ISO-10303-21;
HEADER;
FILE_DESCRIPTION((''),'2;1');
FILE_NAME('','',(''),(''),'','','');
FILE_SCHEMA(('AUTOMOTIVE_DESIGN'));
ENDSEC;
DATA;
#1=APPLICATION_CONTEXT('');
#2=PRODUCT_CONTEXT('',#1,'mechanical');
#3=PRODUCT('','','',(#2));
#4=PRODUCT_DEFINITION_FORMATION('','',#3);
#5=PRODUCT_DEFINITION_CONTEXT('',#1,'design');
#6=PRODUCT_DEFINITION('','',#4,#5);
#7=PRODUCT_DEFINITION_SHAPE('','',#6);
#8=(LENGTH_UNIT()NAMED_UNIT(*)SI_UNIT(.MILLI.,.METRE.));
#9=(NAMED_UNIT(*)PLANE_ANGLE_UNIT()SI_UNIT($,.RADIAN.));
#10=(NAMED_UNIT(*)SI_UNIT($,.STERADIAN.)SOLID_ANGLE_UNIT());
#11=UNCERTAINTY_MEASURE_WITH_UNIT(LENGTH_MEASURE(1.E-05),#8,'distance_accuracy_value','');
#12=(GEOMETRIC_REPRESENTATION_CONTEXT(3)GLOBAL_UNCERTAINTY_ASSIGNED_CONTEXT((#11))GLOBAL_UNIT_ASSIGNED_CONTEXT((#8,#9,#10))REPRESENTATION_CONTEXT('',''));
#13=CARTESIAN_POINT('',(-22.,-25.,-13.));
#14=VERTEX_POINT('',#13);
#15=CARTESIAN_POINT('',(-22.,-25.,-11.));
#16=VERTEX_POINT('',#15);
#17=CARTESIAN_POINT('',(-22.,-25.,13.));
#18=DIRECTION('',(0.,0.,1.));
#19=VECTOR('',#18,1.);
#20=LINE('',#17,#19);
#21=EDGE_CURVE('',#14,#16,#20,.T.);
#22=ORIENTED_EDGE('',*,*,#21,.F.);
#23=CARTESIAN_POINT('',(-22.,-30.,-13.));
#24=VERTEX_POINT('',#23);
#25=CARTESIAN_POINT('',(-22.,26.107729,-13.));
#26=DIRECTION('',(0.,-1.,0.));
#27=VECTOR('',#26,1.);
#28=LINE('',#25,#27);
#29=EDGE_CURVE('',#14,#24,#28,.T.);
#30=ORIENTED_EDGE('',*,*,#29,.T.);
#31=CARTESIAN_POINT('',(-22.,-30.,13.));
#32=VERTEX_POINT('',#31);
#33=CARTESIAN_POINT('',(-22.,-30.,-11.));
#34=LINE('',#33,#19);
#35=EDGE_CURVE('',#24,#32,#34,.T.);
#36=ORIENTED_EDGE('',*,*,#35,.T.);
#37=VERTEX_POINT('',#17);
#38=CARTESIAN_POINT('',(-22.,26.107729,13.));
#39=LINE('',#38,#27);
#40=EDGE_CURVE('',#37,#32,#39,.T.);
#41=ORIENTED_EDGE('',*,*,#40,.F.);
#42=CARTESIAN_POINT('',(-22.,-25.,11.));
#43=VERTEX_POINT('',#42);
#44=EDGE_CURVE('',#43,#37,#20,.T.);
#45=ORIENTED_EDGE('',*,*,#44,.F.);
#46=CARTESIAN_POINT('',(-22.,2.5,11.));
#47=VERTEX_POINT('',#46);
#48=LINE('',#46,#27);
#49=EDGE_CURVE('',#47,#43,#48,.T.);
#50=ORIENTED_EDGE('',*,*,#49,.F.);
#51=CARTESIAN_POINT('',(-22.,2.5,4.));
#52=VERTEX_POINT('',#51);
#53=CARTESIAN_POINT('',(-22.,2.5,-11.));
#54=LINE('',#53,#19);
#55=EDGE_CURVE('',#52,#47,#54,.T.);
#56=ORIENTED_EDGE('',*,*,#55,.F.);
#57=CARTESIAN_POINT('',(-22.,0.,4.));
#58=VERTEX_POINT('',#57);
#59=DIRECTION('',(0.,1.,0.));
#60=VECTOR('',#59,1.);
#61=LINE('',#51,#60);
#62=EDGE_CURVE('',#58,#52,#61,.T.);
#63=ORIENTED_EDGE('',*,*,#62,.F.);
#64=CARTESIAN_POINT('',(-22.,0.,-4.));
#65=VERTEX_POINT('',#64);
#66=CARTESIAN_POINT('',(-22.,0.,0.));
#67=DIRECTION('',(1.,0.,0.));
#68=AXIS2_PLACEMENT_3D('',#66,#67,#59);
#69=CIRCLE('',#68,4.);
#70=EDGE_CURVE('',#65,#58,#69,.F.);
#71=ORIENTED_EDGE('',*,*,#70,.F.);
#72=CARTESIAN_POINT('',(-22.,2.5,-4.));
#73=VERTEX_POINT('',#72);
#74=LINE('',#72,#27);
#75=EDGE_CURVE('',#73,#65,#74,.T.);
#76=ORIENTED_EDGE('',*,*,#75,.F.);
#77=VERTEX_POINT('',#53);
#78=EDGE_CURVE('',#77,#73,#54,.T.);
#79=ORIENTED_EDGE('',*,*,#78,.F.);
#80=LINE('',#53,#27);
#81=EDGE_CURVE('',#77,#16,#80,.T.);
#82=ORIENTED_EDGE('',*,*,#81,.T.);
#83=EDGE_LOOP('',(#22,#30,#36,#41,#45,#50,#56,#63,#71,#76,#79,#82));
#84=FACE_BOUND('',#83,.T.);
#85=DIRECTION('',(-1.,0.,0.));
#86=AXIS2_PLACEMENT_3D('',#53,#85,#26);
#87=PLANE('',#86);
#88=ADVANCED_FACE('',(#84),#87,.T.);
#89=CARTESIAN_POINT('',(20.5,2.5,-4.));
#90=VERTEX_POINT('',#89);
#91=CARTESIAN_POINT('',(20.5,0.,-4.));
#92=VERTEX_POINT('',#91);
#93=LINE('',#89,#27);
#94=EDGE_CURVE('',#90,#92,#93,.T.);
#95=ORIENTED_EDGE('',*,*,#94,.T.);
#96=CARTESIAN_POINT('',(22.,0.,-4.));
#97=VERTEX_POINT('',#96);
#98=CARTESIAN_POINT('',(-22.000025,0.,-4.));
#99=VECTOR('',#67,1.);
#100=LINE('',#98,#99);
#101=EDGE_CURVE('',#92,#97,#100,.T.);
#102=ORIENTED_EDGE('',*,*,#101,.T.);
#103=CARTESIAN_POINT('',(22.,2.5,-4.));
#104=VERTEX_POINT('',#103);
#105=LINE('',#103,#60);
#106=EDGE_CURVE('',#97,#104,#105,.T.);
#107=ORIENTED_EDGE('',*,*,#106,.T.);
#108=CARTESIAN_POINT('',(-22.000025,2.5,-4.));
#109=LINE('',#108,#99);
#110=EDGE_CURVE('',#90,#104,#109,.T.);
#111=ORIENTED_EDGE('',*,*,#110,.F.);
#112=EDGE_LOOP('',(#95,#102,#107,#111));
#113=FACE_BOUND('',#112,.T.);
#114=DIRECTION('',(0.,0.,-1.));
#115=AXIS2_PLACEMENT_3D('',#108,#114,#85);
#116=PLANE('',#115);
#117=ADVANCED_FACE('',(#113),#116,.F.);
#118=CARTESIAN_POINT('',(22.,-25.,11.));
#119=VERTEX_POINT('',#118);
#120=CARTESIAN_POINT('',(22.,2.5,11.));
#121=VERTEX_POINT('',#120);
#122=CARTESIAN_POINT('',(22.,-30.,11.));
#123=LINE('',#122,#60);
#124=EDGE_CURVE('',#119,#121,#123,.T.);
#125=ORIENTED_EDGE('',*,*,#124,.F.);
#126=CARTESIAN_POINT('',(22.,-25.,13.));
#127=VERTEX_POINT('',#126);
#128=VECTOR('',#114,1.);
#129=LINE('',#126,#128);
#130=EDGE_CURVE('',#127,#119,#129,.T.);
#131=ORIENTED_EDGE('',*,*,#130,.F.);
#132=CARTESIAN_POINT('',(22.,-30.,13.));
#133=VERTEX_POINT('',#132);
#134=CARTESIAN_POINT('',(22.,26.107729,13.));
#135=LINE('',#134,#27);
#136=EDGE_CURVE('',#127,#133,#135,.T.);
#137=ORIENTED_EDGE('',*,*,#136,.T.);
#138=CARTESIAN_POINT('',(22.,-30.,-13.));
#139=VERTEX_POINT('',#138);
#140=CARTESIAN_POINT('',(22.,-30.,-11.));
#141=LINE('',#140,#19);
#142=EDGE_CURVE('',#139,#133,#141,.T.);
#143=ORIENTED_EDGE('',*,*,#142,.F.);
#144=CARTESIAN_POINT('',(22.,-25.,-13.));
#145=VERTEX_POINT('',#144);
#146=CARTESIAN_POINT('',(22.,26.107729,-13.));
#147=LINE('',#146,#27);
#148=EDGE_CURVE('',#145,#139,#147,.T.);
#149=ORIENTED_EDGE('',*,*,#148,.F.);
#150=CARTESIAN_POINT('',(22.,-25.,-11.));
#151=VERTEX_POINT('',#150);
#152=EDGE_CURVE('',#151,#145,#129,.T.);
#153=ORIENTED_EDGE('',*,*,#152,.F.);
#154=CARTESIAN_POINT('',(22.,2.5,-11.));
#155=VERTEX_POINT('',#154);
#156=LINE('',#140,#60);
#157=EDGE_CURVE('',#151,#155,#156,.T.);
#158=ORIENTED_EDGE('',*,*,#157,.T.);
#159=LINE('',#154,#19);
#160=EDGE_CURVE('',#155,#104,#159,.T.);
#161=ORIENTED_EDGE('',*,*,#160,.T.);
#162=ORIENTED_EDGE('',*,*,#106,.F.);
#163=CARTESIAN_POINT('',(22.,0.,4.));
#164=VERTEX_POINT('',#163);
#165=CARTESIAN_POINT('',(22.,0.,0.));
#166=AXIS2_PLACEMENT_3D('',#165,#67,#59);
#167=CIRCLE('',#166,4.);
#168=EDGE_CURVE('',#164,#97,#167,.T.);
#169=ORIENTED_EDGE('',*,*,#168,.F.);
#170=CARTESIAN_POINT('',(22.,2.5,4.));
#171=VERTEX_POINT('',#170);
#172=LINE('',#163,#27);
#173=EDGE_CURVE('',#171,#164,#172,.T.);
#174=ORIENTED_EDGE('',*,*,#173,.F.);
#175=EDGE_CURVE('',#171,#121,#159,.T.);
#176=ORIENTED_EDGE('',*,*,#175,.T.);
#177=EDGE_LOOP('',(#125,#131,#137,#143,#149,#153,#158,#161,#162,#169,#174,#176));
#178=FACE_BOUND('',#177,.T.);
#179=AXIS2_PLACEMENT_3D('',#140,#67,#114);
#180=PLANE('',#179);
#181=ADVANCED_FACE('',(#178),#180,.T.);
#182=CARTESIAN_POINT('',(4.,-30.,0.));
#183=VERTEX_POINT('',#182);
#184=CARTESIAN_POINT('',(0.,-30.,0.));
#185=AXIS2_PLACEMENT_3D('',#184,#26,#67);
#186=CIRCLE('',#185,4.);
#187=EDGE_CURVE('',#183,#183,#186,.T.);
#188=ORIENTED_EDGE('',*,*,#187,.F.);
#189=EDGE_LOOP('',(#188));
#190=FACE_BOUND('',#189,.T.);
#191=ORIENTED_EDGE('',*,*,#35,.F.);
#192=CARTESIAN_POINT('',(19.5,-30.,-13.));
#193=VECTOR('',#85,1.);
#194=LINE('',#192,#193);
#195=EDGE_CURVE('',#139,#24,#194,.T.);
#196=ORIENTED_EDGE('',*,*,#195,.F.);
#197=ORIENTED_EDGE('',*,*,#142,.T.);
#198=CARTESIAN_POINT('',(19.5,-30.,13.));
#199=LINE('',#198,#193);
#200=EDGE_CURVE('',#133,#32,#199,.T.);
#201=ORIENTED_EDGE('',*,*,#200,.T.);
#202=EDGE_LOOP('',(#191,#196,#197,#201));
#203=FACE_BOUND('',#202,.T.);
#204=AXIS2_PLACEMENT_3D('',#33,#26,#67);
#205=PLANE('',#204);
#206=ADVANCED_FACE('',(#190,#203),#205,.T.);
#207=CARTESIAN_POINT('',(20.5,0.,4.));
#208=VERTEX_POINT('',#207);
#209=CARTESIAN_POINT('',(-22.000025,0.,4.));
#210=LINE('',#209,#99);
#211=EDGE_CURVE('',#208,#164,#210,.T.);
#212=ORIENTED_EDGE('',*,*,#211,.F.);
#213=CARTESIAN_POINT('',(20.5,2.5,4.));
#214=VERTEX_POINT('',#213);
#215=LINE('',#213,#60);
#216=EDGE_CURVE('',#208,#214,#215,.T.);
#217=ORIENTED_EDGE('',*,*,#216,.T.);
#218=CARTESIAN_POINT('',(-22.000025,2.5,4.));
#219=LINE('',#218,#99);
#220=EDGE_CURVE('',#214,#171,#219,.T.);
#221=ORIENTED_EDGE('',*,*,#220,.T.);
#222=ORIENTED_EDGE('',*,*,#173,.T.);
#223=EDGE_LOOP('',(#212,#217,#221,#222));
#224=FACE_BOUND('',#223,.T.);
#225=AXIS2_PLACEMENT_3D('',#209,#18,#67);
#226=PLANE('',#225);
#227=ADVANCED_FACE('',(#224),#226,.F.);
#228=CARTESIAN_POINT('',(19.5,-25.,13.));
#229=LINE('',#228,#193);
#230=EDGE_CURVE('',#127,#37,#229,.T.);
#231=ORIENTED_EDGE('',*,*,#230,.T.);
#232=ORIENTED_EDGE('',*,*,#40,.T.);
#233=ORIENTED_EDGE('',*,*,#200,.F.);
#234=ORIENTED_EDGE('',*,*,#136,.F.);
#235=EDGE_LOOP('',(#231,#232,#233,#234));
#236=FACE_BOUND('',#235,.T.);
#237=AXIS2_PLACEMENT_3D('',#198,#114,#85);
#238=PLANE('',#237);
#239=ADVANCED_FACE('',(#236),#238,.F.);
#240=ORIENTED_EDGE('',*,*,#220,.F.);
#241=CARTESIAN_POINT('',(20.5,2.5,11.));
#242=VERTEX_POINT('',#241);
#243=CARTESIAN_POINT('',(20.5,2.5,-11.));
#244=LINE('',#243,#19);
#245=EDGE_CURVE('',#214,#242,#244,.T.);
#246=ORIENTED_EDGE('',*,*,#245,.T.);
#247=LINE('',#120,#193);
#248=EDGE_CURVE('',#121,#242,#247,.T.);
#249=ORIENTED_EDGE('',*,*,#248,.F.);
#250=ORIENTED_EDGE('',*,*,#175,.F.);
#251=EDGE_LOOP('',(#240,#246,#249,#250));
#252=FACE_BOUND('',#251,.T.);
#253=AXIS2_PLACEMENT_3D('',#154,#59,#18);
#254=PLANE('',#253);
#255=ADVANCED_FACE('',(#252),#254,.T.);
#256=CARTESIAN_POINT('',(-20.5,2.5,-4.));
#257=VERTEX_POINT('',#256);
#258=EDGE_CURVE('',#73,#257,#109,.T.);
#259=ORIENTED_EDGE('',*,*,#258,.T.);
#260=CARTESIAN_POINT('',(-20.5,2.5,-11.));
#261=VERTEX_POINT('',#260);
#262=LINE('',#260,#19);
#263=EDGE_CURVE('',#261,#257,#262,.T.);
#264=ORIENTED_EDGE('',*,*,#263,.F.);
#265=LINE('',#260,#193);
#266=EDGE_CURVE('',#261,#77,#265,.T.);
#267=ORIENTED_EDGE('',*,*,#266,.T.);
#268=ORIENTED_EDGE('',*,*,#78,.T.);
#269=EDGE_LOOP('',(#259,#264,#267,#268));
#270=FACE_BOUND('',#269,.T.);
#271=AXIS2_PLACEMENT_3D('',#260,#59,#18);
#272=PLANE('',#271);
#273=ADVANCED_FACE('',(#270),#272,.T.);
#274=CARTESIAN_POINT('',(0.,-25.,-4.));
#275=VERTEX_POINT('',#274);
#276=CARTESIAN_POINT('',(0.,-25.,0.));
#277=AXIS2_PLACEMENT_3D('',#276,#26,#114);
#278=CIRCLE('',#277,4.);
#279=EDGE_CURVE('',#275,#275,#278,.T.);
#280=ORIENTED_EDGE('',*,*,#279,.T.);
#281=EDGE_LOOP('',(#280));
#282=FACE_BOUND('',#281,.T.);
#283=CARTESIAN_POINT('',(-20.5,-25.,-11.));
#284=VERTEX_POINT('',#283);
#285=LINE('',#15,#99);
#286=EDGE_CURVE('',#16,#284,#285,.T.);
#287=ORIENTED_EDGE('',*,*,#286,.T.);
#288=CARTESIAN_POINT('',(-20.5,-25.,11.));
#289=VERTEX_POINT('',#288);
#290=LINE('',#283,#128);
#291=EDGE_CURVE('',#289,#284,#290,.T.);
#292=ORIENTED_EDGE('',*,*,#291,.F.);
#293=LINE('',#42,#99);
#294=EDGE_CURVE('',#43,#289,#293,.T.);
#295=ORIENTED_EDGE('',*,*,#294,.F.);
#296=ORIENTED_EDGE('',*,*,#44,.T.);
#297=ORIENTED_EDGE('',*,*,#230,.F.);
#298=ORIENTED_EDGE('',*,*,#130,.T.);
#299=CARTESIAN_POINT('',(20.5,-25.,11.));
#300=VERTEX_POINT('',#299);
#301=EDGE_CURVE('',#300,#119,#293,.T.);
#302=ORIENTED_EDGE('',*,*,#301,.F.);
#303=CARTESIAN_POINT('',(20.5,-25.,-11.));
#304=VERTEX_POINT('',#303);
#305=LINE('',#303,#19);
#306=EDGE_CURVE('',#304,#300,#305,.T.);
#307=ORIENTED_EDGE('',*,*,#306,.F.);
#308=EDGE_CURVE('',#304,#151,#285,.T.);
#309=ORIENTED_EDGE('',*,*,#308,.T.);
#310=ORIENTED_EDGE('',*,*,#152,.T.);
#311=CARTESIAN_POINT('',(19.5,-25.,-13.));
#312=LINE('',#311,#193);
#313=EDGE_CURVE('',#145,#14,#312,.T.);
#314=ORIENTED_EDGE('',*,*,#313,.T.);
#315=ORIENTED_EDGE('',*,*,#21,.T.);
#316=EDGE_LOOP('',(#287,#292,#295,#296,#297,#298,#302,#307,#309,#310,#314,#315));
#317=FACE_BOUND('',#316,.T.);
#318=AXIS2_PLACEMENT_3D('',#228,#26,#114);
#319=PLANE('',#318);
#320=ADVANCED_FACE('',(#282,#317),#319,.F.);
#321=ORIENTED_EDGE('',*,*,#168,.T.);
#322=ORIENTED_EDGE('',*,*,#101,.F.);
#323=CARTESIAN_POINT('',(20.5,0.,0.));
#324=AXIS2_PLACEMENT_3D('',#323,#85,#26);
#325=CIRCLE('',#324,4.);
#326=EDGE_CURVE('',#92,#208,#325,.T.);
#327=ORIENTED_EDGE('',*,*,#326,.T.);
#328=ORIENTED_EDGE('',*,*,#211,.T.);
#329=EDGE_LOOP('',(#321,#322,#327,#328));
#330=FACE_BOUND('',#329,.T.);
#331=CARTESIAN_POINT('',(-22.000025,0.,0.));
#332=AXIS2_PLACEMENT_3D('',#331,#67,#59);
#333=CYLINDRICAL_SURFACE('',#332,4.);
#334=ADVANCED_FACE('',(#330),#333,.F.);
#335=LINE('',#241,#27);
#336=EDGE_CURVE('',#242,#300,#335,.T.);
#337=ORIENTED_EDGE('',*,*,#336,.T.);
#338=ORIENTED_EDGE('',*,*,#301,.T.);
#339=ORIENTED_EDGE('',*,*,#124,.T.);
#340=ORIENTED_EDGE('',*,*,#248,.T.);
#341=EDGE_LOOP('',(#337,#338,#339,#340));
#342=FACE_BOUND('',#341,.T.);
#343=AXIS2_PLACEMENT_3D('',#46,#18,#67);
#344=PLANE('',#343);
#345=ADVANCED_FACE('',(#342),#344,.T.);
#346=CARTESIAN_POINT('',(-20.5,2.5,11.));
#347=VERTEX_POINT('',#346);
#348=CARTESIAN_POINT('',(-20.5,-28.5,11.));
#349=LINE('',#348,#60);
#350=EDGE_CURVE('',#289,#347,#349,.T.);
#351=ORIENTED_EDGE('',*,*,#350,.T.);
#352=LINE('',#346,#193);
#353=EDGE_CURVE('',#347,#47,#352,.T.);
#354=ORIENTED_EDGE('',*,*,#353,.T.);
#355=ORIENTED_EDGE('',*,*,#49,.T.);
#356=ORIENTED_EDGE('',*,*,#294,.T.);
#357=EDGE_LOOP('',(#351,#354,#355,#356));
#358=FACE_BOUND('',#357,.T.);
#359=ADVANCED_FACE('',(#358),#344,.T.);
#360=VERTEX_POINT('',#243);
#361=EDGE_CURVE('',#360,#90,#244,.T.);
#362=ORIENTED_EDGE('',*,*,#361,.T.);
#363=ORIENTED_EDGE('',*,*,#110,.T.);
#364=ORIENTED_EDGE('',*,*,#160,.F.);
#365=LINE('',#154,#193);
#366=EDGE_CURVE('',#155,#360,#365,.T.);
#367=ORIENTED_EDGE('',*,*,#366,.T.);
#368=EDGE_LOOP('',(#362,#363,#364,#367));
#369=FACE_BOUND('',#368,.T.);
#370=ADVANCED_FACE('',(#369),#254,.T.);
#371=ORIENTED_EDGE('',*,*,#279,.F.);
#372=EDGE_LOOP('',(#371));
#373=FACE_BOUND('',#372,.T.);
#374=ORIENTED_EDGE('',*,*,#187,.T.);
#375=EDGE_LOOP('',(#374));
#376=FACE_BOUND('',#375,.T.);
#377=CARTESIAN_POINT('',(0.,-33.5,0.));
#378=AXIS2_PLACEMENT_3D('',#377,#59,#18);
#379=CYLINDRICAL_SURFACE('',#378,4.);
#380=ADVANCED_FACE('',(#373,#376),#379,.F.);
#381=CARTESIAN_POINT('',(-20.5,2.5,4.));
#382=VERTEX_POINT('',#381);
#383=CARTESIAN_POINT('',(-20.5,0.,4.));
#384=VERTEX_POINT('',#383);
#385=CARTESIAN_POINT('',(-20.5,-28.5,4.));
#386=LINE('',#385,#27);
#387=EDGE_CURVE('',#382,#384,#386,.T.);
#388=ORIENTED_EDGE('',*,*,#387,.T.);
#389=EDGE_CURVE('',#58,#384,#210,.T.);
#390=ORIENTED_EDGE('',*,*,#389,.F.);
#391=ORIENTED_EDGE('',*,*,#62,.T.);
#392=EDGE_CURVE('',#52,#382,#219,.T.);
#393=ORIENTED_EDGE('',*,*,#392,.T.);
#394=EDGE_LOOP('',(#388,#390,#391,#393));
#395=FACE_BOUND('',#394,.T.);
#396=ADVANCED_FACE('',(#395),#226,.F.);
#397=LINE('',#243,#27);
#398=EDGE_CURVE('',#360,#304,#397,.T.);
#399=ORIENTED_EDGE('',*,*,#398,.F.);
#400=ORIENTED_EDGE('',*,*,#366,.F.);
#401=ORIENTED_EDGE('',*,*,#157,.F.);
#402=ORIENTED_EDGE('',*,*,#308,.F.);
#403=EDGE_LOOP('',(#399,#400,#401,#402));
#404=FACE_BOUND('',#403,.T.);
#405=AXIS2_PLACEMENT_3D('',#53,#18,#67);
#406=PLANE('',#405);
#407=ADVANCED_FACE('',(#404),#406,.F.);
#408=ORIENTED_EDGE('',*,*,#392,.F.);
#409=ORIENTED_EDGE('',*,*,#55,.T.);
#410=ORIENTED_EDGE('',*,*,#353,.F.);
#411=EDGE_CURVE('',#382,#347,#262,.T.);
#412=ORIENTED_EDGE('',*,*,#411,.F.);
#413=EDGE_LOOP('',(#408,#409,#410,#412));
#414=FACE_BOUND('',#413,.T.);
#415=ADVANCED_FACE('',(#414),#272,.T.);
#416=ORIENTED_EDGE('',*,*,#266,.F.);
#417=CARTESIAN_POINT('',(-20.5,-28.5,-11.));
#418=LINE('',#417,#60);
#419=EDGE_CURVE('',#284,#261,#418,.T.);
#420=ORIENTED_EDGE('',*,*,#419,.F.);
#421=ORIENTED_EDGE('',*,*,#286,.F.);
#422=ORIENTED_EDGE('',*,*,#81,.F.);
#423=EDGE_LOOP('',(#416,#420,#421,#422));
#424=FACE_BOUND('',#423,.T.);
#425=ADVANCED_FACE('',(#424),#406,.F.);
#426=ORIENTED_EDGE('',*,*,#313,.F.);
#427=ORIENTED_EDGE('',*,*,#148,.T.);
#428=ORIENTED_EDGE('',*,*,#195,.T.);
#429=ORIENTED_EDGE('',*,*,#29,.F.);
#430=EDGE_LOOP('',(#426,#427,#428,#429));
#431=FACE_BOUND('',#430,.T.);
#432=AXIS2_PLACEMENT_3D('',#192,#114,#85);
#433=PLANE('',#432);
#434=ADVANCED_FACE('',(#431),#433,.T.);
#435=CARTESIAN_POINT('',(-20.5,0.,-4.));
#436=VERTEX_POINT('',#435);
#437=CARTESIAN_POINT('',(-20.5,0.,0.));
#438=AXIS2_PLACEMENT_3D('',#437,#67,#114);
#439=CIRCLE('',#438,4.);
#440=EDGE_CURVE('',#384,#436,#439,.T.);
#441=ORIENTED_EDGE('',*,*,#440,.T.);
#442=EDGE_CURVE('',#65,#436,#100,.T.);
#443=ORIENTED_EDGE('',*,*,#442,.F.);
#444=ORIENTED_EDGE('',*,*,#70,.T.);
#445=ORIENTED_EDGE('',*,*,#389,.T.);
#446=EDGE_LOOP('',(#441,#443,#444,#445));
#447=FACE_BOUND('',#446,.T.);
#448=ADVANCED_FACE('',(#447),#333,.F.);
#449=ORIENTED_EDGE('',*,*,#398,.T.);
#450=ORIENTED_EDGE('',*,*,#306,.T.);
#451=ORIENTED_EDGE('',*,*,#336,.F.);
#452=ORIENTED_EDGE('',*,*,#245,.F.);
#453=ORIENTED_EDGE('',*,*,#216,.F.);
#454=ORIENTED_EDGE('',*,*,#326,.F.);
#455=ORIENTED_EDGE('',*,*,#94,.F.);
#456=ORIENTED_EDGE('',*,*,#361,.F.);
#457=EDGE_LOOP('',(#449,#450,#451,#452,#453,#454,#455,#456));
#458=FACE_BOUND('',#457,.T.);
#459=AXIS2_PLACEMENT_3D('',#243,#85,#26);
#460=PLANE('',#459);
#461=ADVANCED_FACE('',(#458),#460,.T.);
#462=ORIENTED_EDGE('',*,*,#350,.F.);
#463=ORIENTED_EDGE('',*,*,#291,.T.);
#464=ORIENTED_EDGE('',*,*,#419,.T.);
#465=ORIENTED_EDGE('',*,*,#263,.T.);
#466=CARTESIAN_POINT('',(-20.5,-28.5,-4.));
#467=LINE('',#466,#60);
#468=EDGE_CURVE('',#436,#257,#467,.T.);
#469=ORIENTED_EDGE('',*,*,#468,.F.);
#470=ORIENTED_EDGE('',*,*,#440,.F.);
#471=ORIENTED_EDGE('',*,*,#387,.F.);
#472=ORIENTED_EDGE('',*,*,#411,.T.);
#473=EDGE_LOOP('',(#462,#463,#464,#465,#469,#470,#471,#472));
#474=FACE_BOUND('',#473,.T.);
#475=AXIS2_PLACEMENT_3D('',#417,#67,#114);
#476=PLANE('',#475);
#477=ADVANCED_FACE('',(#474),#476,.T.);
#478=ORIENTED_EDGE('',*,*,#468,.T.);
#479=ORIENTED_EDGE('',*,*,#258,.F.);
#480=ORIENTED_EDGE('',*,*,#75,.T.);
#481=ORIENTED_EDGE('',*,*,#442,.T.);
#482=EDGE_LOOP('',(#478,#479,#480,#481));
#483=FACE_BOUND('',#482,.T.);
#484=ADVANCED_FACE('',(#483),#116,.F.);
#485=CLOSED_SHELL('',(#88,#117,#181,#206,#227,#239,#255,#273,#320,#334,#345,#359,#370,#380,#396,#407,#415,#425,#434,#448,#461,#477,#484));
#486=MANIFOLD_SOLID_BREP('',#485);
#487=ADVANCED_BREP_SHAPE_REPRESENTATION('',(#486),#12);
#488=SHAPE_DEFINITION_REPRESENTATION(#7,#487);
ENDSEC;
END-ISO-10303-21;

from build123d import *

# Parameters (mm, degrees)
BOSS_EXTRUDE1_DEPTH = 11
BOSS_EXTRUDE2_DEPTH = 19.5
SKETCH3_R           = 4
CUT_EXTRUDE1_DEPTH  = 2.5
CUT_EXTRUDE2_DEPTH  = 45
SKETCH5_W           = 44
SKETCH5_H           = 26
BOSS_EXTRUDE3_DEPTH = 5
SKETCH3_3_R         = 4
CUT_EXTRUDE3_DEPTH  = 5


with BuildPart() as part:
    # Sketch1 → Boss-Extrude1 (new body, symmetric)
    with BuildSketch(Plane.XY):
        Polygon((-22, 2.5), (-22, -30), (22, -30), (22, 2.5), (20.5, 2.5), (20.5, -28.5), (-20.5, -28.5), (-20.5, 2.5), align=None)
    extrude(amount=BOSS_EXTRUDE1_DEPTH, both=True)

    # Sketch2 → Boss-Extrude2 (add, symmetric)
    with BuildSketch(Plane(origin=(0, 0, 0), x_dir=(0, 0, -1), z_dir=(1, 0, 0))):
        Polygon((-11, -30), (-13, -30), (-13, -25), (-11.5, -25), (-11.5, -28.5), (-11, -28.5), align=None)
    boss_extrude2 = extrude(amount=BOSS_EXTRUDE2_DEPTH, both=True)

    # Mirror1: Boss-Extrude2 across plane
    add(boss_extrude2.mirror(Plane.XY))

    # Sketch3 → Cut-Extrude1 (cut, through all)
    with BuildSketch(Plane(origin=(0, -28.5, 0), x_dir=(-1, 0, 0), z_dir=(0, 1, 0))):
        Circle(SKETCH3_R)
    extrude(amount=-CUT_EXTRUDE1_DEPTH, mode=Mode.SUBTRACT)

    # Sketch4 → Cut-Extrude2 (cut, through all)
    with BuildSketch(Plane(origin=(22, 0, 0), x_dir=(0, 0, -1), z_dir=(1, 0, 0))):
        with BuildLine():
            Line((-4, 0), (-4, 2.5))
            Line((-4, 2.5), (4, 2.5))
            Line((4, 2.5), (4, 0))
            ThreePointArc((4, 0), (0, -4), (-4, 0))
        make_face()
    extrude(amount=-CUT_EXTRUDE2_DEPTH, mode=Mode.SUBTRACT)

    # Sketch5 → Boss-Extrude3 (add)
    with BuildSketch(Plane.XZ.offset(30)):
        Rectangle(SKETCH5_W, SKETCH5_H)
    extrude(amount=-BOSS_EXTRUDE3_DEPTH)

    # Sketch3<3> → Cut-Extrude3 (cut, symmetric)
    with BuildSketch(Plane(origin=(0, -28.5, 0), x_dir=(-1, 0, 0), z_dir=(0, 1, 0))):
        Circle(SKETCH3_3_R)
    extrude(amount=CUT_EXTRUDE3_DEPTH, both=True, mode=Mode.SUBTRACT)


solid = part.part
